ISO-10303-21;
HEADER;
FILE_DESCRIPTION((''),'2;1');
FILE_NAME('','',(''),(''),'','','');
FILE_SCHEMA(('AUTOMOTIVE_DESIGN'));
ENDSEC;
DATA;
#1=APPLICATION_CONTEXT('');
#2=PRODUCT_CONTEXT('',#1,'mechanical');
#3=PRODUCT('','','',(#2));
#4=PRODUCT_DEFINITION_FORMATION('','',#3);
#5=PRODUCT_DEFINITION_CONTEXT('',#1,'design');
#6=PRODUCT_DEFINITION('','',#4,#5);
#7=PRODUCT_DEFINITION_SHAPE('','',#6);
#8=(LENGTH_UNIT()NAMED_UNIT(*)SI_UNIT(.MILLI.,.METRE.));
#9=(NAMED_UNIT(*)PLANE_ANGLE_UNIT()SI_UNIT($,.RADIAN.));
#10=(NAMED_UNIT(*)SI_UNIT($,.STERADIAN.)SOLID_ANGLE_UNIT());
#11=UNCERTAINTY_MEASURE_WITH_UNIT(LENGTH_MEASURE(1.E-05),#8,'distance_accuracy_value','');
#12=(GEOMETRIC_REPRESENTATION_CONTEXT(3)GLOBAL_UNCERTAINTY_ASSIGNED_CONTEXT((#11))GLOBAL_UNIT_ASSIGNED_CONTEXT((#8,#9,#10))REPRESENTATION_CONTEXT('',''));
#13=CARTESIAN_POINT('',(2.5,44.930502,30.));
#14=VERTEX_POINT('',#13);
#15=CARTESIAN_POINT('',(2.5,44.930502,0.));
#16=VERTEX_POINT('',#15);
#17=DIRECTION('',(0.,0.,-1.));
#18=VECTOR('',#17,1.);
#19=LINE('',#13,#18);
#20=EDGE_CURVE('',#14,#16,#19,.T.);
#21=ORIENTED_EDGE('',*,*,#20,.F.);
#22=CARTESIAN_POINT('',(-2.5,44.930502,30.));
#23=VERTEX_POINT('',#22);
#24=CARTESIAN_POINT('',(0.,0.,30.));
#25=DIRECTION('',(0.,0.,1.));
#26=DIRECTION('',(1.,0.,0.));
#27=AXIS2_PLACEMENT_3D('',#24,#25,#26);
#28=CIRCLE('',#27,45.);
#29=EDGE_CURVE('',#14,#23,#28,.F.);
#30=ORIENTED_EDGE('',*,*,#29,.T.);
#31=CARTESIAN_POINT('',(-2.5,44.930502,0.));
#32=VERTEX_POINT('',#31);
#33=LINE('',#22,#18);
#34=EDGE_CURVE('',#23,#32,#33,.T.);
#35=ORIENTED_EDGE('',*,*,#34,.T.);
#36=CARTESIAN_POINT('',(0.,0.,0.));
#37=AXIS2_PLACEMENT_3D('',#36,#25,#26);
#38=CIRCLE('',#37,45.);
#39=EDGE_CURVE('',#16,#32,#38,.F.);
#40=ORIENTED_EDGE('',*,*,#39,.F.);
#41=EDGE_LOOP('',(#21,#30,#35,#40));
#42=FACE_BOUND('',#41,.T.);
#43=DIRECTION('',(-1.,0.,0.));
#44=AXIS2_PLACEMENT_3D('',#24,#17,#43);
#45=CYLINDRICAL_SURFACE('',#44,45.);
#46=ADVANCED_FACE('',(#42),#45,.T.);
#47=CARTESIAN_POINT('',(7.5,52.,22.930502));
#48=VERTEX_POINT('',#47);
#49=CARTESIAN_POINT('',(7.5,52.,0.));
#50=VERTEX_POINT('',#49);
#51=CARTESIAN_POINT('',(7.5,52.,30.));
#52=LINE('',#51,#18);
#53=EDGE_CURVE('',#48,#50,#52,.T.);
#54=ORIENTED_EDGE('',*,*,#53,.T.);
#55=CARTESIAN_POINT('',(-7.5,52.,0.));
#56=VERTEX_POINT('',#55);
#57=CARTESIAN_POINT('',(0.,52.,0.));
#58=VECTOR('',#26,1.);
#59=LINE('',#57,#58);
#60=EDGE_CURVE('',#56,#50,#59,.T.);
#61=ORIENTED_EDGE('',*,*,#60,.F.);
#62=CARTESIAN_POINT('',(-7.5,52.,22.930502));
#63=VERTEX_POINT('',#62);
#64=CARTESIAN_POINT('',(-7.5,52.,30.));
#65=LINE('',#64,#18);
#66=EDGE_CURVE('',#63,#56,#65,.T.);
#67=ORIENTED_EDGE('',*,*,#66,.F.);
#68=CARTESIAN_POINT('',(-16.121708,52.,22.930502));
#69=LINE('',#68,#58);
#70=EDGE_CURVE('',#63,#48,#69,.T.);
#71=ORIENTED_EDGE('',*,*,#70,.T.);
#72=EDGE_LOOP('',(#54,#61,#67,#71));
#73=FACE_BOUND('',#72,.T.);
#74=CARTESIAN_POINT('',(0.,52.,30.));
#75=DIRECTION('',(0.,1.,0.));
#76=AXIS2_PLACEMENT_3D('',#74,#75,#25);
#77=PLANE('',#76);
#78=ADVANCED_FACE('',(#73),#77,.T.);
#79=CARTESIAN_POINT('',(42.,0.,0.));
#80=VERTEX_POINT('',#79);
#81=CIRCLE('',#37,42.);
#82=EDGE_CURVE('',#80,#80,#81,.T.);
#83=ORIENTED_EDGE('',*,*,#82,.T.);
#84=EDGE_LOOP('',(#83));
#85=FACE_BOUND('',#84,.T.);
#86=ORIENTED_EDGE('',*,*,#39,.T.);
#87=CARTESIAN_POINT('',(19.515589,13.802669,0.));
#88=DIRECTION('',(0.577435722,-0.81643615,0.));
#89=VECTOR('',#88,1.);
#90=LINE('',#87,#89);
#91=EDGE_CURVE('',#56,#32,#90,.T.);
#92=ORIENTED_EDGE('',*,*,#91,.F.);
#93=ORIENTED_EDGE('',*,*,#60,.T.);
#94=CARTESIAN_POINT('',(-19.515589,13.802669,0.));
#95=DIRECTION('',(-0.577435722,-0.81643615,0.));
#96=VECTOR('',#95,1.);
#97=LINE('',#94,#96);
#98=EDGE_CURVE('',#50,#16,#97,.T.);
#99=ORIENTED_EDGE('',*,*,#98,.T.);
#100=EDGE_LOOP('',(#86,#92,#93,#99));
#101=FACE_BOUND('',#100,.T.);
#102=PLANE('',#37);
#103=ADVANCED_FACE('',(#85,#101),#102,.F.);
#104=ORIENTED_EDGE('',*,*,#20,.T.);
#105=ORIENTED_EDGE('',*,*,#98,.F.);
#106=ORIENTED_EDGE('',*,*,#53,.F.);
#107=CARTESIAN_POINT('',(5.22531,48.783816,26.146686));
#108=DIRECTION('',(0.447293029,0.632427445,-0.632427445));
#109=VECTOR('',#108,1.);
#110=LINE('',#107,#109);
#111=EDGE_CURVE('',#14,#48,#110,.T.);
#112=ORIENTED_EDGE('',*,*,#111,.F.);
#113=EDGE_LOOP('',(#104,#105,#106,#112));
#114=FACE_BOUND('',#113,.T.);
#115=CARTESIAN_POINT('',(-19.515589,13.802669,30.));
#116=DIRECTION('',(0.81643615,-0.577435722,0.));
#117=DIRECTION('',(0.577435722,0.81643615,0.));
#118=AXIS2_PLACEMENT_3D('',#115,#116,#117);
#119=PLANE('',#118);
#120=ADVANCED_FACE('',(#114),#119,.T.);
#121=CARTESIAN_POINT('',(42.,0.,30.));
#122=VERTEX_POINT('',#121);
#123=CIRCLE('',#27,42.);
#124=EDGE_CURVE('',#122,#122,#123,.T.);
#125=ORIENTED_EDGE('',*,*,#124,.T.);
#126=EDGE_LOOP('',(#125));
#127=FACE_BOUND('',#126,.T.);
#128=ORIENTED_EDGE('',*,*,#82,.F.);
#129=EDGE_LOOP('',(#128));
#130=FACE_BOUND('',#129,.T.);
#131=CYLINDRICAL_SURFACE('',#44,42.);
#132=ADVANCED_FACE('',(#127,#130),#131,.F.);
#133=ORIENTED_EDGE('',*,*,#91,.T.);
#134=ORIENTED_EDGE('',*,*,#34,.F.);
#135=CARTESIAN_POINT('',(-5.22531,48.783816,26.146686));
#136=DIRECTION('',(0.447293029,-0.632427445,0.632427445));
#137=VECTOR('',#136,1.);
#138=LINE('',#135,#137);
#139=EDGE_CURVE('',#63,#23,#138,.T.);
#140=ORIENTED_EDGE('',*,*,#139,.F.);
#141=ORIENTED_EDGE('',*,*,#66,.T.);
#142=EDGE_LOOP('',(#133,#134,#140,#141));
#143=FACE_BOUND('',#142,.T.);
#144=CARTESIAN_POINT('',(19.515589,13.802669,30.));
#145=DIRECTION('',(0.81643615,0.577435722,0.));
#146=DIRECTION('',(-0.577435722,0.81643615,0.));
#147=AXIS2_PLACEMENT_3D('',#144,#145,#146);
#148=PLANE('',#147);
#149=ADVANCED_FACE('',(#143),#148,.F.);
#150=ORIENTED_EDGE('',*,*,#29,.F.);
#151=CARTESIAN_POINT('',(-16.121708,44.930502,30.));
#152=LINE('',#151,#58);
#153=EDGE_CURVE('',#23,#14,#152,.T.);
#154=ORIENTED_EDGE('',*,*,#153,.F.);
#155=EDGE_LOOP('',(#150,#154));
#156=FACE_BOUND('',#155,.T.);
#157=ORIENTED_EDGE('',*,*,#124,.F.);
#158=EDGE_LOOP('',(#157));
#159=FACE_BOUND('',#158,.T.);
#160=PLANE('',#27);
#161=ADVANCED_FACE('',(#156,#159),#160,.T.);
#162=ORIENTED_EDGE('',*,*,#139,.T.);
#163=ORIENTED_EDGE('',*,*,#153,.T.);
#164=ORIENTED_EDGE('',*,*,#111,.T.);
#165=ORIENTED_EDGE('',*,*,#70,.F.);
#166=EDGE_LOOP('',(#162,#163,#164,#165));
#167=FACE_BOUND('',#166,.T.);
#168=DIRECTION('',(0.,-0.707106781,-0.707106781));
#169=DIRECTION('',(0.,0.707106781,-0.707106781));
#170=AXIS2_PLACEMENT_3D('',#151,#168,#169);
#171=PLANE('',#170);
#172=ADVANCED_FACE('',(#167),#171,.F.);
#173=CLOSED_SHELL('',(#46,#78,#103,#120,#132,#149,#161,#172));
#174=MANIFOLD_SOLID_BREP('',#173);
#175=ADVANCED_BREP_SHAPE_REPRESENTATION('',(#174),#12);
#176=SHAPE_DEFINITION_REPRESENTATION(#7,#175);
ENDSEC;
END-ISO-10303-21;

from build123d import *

# Parameters (mm, degrees)
SKETCH1_R                      = 42
BOSS_EXTRUDE1_DEPTH            = 30
CUT_EXTRUDE1_REACH             = 47
CUT_EXTRUDE1_DIRECTION_2_REACH = 47


with BuildPart() as part:
    # Sketch1 → Boss-Extrude1 (new body)
    with BuildSketch(Plane.XY):
        with BuildLine():
            ThreePointArc((2.5, 44.930501889), (15.285447634, 42.324403016), (26.785714286, 36.159722209))
            ThreePointArc((26.785714286, 36.159722209), (-12.910485027, -43.108228639), (-2.5, 44.930501889))
            Line((-2.5, 44.930501889), (-7.5, 52))
            Line((-7.5, 52), (7.5, 52))
            Line((7.5, 52), (2.5, 44.930501889))
        make_face()
        Circle(SKETCH1_R, mode=Mode.SUBTRACT)
    extrude(amount=BOSS_EXTRUDE1_DEPTH)

    # Cut-Extrude1: up to this face of the body (flat: up to its plane)
    cut_extrude1_end = Plane(part.part.faces().sort_by_distance((-5, 48.465250945, 15))[0])
    # Sketch3 → Cut-Extrude1 (cut, up to the picked face)
    with BuildSketch(Plane(origin=(0, 0, 0), x_dir=(0, 0, -1), z_dir=(1, 0, 0)), mode=Mode.PRIVATE) as cut_extrude1_sk1:
        Polygon((-30, 44.930501889), (-22.930501889, 52), (-30, 52), align=None)
    cut_extrude1_tool1 = split(extrude(cut_extrude1_sk1.sketch, amount=-CUT_EXTRUDE1_REACH, mode=Mode.PRIVATE), bisect_by=cut_extrude1_end, keep=Keep.BOTH, mode=Mode.PRIVATE)
    add(cut_extrude1_tool1.solids().sort_by_distance((0, 49.643501, 27.643501))[0], mode=Mode.SUBTRACT)

    # Cut-Extrude1 direction 2: up to this face of the body (flat: up to its plane)
    cut_extrude1_direction_2_end = Plane(part.part.faces().sort_by_distance((5, 48.465250945, 15))[0])
    # Sketch3 → Cut-Extrude1 direction 2 (cut, up to the picked face)
    with BuildSketch(Plane(origin=(0, 0, 0), x_dir=(0, 0, -1), z_dir=(1, 0, 0)), mode=Mode.PRIVATE) as cut_extrude1_direction_2_sk1:
        Polygon((-30, 44.930501889), (-22.930501889, 52), (-30, 52), align=None)
    cut_extrude1_direction_2_tool1 = split(extrude(cut_extrude1_direction_2_sk1.sketch, amount=CUT_EXTRUDE1_DIRECTION_2_REACH, mode=Mode.PRIVATE), bisect_by=cut_extrude1_direction_2_end, keep=Keep.BOTH, mode=Mode.PRIVATE)
    add(cut_extrude1_direction_2_tool1.solids().sort_by_distance((0, 49.643501, 27.643501))[0], mode=Mode.SUBTRACT)


solid = part.part
